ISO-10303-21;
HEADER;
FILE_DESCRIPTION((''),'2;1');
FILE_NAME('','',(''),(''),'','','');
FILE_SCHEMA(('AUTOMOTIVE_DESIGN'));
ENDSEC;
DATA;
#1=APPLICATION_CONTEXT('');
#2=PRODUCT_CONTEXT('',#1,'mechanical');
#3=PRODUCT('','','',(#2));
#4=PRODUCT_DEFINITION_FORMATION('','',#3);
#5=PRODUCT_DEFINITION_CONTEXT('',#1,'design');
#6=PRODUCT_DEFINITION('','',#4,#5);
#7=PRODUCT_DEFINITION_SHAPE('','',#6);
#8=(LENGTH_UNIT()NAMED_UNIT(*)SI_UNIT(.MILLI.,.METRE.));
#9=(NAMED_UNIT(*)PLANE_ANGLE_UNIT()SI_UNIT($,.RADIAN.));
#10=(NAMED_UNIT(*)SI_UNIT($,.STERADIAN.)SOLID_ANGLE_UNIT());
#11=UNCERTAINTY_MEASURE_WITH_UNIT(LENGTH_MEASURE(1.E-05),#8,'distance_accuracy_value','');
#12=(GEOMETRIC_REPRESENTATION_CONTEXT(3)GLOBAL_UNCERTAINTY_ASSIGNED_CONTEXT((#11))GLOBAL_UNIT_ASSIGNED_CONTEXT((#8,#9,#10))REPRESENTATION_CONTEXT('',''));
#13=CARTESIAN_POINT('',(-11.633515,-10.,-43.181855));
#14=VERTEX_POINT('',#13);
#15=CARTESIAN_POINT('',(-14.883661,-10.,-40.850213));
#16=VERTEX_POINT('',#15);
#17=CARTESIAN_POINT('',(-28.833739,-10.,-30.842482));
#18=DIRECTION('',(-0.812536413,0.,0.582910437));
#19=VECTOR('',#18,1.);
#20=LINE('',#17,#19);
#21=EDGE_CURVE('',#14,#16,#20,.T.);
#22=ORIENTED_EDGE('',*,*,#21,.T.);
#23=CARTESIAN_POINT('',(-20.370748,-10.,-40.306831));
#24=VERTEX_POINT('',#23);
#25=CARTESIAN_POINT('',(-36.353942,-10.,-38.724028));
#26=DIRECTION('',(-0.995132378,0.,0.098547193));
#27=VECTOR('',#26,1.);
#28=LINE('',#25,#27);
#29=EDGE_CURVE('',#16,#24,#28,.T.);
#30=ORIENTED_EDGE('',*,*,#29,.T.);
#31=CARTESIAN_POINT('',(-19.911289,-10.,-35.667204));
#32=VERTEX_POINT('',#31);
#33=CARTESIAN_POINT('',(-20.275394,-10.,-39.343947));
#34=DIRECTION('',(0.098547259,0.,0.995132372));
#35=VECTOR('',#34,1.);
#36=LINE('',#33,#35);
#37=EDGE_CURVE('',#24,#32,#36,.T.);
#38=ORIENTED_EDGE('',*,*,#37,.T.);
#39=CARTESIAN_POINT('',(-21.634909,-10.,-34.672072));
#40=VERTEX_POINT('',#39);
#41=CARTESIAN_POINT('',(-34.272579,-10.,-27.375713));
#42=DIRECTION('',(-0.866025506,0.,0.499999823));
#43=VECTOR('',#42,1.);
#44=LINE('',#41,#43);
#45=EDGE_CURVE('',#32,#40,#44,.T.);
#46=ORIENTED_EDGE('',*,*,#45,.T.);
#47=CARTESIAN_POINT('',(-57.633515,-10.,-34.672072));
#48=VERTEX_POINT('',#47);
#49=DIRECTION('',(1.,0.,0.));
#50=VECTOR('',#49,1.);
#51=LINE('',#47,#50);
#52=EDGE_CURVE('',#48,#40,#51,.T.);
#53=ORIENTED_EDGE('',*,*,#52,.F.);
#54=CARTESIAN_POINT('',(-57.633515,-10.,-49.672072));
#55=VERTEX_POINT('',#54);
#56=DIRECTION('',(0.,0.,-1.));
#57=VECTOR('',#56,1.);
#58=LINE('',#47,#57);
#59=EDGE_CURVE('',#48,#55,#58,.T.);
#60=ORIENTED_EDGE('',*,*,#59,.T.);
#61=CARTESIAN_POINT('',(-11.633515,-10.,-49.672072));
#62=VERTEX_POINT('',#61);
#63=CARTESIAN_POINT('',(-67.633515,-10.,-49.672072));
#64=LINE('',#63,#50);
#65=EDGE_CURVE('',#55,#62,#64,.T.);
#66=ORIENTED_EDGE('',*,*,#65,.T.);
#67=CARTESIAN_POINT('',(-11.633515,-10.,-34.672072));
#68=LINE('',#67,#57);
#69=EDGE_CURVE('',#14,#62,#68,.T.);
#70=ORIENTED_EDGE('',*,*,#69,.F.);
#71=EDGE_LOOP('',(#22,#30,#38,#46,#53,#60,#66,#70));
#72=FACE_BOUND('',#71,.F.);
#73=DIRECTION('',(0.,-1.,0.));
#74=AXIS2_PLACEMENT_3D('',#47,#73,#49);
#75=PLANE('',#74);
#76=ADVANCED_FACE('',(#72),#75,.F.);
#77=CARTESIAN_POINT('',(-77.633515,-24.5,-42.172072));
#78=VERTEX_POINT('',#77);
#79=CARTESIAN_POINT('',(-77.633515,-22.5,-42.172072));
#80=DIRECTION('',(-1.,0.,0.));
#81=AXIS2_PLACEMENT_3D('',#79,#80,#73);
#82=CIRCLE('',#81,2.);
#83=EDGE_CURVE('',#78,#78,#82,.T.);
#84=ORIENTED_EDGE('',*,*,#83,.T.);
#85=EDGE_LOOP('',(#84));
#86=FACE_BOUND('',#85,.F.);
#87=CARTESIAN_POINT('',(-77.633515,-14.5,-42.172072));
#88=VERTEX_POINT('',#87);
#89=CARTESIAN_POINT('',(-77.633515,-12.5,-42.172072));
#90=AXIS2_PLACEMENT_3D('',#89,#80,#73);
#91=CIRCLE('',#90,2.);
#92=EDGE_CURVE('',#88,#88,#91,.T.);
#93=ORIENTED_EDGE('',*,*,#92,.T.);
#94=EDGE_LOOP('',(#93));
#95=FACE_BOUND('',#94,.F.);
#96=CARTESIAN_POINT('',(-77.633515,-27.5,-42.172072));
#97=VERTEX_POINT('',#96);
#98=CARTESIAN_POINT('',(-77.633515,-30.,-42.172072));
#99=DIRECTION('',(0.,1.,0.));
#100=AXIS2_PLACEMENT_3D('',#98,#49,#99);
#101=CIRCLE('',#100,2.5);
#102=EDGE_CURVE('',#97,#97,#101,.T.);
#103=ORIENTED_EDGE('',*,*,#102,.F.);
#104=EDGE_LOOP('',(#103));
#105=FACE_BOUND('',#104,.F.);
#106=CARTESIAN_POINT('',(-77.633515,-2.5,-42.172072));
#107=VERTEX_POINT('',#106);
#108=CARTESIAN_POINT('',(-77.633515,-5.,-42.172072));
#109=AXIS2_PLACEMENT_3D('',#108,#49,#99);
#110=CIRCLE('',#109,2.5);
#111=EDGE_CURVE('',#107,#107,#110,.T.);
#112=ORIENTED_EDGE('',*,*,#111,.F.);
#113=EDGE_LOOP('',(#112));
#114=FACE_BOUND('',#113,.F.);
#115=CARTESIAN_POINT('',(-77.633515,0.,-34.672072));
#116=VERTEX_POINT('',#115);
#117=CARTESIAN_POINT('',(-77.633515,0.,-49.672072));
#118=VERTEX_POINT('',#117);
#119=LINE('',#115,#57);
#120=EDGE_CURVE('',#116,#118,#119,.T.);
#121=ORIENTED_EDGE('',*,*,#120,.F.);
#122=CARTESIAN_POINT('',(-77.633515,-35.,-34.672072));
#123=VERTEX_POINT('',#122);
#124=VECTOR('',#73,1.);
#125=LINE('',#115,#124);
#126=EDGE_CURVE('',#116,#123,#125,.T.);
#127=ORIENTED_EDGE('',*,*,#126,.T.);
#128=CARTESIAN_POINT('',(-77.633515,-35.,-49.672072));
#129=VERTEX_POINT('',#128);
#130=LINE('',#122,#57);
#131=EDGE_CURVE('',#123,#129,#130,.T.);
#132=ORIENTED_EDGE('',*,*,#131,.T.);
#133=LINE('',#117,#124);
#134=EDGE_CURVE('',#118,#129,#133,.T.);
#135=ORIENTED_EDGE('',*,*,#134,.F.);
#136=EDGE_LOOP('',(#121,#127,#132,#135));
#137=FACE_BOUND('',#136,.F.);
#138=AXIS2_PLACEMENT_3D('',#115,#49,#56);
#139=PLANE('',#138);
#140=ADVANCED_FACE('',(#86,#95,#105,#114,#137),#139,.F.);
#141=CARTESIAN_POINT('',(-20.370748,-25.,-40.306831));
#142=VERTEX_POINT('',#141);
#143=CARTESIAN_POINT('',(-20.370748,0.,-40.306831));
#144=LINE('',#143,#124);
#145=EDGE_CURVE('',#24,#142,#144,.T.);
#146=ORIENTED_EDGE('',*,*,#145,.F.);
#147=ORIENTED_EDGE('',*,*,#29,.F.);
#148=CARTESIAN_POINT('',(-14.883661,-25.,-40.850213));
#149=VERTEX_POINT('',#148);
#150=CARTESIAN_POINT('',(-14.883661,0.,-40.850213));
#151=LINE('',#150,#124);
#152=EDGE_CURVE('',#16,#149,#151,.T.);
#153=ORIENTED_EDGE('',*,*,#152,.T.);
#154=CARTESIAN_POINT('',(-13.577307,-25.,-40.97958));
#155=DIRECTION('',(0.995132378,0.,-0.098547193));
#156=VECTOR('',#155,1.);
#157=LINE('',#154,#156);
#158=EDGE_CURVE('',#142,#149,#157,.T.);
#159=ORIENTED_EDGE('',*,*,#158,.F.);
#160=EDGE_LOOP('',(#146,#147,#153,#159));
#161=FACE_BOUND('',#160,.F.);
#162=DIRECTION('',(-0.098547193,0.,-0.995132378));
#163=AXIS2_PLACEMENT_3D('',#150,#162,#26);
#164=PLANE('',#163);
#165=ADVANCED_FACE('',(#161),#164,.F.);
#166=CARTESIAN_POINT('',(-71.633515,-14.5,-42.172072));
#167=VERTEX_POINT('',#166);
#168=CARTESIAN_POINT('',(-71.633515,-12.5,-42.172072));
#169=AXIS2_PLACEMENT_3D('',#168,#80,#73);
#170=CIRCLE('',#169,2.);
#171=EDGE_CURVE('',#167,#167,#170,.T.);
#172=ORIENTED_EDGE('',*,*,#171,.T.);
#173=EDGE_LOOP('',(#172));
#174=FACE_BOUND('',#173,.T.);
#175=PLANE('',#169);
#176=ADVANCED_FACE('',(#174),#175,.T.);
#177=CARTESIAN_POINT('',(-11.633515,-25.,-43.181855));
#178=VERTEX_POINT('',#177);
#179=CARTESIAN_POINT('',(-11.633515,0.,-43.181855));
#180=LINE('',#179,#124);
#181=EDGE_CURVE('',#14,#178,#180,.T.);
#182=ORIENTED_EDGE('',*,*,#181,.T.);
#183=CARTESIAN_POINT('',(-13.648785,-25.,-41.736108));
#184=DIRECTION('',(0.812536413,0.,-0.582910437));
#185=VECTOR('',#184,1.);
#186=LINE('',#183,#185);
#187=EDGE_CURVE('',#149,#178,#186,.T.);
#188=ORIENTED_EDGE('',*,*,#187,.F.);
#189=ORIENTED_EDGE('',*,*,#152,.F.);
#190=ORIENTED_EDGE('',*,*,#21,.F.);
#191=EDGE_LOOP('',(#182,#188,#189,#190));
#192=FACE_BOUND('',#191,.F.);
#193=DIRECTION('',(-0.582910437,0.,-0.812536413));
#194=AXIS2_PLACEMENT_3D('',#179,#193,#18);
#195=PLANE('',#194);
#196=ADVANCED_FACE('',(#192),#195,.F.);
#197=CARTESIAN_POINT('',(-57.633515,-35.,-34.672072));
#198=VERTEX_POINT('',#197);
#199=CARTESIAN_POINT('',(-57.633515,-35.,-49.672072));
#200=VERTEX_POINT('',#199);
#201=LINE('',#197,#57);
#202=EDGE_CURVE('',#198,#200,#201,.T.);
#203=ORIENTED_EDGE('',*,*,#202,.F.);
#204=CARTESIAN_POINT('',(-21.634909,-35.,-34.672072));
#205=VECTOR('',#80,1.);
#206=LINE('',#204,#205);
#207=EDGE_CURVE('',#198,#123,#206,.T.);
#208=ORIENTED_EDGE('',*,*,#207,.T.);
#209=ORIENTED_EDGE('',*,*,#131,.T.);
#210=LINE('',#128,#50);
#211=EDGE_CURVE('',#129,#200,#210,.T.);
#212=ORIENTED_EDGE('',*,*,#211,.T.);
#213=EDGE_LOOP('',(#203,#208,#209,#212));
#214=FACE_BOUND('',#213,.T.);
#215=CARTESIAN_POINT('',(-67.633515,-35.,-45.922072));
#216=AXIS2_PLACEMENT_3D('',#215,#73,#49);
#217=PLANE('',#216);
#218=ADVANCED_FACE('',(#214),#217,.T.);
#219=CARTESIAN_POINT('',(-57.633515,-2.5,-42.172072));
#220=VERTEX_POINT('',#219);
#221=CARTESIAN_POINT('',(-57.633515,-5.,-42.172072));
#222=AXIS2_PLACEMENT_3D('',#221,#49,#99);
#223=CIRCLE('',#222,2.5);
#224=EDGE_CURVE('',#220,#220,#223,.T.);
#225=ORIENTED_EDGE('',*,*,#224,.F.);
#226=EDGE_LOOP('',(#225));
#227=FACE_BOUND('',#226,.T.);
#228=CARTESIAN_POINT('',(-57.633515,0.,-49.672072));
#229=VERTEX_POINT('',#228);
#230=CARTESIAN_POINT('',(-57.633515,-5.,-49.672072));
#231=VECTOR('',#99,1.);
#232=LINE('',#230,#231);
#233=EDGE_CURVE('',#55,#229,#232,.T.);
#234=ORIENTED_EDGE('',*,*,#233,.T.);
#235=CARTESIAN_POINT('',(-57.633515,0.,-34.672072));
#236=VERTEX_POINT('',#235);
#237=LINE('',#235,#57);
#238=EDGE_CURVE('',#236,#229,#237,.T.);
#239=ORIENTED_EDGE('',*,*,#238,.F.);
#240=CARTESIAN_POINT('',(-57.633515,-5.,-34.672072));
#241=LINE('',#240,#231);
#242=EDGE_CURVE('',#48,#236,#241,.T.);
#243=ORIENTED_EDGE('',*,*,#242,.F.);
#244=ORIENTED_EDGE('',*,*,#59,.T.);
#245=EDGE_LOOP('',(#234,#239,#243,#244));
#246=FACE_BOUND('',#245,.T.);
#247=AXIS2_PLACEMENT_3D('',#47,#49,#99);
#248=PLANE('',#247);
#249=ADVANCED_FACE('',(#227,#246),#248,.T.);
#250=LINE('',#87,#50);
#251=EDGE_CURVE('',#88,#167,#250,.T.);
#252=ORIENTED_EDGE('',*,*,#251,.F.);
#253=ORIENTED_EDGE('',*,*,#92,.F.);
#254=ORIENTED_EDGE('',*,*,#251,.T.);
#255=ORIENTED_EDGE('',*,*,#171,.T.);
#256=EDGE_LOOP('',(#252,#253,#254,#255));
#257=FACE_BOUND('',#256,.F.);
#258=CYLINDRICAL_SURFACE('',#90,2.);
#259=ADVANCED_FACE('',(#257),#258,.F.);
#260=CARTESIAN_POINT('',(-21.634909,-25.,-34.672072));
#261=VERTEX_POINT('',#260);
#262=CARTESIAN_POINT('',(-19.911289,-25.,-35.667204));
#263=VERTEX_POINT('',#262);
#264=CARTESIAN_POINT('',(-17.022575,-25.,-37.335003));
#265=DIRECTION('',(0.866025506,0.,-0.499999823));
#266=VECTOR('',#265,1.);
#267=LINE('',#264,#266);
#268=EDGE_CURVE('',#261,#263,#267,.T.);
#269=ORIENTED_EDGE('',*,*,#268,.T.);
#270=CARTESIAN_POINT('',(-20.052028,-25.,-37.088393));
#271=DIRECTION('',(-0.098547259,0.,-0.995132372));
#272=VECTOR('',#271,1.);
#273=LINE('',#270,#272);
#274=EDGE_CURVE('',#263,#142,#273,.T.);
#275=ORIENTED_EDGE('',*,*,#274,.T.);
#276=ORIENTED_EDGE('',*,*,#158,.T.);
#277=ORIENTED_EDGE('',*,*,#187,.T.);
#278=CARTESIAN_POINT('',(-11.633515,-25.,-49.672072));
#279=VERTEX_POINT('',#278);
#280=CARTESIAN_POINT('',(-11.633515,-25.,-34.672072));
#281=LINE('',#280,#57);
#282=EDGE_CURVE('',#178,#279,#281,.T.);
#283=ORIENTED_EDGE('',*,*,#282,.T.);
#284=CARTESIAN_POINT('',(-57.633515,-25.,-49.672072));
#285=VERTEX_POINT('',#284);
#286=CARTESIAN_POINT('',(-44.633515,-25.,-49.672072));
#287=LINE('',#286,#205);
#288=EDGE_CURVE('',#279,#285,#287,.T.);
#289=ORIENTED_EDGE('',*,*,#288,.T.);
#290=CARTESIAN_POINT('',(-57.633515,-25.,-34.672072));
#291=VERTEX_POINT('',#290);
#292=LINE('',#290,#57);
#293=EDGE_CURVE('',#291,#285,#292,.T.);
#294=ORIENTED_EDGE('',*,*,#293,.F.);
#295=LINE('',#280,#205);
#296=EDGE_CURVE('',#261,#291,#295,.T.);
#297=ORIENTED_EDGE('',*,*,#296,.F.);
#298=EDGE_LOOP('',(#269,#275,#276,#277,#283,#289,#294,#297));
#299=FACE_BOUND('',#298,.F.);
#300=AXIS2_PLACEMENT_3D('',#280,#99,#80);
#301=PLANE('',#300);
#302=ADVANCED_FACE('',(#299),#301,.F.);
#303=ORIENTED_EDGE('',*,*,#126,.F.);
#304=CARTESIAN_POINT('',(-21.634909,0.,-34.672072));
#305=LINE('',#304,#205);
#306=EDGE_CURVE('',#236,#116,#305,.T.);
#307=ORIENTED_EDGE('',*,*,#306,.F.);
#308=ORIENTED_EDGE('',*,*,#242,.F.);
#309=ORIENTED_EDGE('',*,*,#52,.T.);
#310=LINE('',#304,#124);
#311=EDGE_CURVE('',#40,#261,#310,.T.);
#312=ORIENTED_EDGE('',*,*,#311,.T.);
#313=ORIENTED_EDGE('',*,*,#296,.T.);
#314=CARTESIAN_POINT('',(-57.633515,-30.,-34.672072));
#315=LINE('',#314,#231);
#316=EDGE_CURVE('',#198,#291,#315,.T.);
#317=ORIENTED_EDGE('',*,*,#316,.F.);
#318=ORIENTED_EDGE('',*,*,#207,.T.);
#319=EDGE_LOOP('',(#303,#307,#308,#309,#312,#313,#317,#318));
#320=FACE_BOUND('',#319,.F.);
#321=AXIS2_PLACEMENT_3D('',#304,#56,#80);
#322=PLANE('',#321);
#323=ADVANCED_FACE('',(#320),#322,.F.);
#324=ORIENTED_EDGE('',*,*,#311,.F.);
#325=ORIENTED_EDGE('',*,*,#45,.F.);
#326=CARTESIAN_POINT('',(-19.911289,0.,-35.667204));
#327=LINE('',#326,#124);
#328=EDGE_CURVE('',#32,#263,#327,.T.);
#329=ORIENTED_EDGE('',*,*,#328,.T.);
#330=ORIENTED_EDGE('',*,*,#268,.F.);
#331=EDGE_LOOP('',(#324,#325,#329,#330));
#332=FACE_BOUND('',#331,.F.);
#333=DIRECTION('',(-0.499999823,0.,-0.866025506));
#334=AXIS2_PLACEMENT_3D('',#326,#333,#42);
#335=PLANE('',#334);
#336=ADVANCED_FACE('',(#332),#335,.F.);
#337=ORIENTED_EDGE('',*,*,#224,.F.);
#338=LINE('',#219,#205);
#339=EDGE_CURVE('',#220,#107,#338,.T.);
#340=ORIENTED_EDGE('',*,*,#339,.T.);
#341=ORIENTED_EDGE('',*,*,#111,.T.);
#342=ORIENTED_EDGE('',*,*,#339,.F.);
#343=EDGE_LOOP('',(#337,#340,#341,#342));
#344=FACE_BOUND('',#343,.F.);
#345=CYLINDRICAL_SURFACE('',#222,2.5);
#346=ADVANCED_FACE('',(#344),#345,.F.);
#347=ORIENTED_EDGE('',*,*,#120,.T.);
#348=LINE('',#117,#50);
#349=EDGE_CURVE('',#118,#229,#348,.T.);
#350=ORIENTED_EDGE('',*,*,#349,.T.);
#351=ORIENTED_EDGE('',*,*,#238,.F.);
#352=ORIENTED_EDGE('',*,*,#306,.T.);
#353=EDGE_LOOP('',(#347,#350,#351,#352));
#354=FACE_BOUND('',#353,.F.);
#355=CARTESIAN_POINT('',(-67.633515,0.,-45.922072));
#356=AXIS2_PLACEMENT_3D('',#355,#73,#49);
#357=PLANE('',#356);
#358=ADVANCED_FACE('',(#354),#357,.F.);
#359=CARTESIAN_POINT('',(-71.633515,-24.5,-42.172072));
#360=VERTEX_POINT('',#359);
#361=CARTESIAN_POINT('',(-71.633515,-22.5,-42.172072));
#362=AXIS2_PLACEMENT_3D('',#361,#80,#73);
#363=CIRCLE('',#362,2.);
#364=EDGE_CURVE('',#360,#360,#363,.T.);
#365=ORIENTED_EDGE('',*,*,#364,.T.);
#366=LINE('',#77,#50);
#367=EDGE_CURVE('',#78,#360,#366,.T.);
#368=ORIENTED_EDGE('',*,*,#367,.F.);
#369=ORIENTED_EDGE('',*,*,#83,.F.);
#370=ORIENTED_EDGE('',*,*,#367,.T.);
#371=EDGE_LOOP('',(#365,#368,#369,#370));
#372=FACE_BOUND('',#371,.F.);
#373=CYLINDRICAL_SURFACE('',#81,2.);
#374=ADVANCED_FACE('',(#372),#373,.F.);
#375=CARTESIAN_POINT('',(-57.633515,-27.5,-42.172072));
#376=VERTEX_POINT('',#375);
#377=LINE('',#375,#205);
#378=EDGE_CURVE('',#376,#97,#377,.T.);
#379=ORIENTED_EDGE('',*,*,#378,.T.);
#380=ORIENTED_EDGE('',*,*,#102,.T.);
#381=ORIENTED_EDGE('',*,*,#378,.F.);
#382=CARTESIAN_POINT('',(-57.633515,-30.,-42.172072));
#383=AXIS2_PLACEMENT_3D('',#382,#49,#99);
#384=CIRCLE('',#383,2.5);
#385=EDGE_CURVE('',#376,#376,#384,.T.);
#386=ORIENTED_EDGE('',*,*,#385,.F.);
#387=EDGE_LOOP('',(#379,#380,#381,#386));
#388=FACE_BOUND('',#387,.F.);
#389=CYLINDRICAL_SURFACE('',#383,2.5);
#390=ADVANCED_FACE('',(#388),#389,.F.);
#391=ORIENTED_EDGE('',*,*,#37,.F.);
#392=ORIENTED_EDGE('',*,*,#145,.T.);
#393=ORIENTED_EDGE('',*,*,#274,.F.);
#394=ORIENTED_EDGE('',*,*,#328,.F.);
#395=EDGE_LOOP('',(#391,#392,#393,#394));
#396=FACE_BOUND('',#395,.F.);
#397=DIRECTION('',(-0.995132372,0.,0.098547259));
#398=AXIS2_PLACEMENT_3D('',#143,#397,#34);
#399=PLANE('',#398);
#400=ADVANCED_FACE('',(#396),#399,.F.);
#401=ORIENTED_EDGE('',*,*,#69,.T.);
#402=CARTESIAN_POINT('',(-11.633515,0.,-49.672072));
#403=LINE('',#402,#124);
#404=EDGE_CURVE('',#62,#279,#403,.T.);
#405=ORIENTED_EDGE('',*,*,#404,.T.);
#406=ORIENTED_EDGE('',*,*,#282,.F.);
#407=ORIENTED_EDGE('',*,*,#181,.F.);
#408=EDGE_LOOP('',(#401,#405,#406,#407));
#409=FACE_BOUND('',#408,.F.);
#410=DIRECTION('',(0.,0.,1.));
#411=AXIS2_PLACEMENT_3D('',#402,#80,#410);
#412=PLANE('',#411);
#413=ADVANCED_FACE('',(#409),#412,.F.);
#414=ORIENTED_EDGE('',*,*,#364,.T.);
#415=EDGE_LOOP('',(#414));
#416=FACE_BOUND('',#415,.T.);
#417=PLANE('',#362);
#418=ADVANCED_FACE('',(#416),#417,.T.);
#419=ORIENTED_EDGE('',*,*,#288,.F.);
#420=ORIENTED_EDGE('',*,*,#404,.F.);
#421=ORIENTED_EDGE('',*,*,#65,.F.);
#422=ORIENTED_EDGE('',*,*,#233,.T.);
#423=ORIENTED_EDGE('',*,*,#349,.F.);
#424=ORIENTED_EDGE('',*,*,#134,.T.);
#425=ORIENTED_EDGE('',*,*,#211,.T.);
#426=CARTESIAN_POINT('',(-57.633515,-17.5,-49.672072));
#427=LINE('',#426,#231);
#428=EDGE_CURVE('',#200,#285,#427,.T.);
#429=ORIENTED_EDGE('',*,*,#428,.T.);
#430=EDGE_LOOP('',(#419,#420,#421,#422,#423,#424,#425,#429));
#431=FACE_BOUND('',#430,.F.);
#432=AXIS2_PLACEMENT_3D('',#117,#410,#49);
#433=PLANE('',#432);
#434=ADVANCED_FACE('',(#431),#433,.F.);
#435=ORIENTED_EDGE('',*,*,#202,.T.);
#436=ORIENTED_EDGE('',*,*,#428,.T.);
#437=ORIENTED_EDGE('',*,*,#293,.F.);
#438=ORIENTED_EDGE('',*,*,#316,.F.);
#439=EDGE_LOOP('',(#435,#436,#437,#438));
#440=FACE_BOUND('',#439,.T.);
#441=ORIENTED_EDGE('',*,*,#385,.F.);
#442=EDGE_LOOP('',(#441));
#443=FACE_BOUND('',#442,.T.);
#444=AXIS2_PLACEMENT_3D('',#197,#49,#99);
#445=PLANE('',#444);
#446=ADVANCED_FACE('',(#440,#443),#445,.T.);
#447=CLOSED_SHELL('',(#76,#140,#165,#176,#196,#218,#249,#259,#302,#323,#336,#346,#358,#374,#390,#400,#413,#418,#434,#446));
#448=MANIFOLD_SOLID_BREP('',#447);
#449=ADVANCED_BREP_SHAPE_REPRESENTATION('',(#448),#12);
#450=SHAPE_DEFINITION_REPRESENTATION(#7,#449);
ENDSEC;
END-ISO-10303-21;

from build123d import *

# Parameters (mm, degrees)
F0_W     = 20
F0_H     = 7.5
F1_DEPTH = 35
F2_W     = 35.998606
F2_H     = 10
F2_W_2   = 10.001394
F3_DEPTH = 15.001
F4_R     = 2.5
F5_DEPTH = 20.001
F6_R     = 2
F7_DEPTH = 6


with BuildPart() as f1:
    # F0 (on Front) → F1 (new body)
    with BuildSketch(Plane.XZ):
        with Locations((-67.633515, -45.922072)):
            Rectangle(F0_W, F0_H)
        with Locations((-67.633515, -38.422072)):
            Rectangle(F0_W, F0_H)
        Polygon((-11.633515, -49.672072), (-11.633515, -43.181855), (-14.883661, -40.850213), (-20.370748, -40.306831), (-19.911289, -35.667204), (-21.634909, -34.672072), (-57.633515, -34.672072), (-57.633515, -42.172072), (-57.633515, -49.672072), align=None)
    extrude(amount=F1_DEPTH)

    # F2 (on face) → F3 (cut, through all)
    with BuildSketch(Plane.XY.offset(-34.672072)):
        with Locations((-39.634212, -5)):
            Rectangle(F2_W, F2_H)
        with Locations((-16.634212, -30)):
            Rectangle(F2_W_2, F2_H)
        with Locations((-16.634212, -5)):
            Rectangle(F2_W_2, F2_H)
        with Locations((-39.634212, -30)):
            Rectangle(F2_W, F2_H)
    extrude(amount=-F3_DEPTH, mode=Mode.SUBTRACT)

    # F4 (on face) → F5 (cut, through all)
    with BuildSketch(Plane.YZ.offset(-57.633515)):
        with Locations((-30, -42.172072)):
            Circle(F4_R)
        with Locations((-5, -42.172072)):
            Circle(F4_R)
    extrude(amount=-F5_DEPTH, mode=Mode.SUBTRACT)

    # F6 (on face) → F7 (cut)
    with BuildSketch(Plane(origin=(-77.633515, 0, 0), x_dir=(0, -1, 0), z_dir=(-1, 0, 0))):
        with Locations((12.5, -42.172072)):
            Circle(F6_R)
        with Locations((22.5, -42.172072)):
            Circle(F6_R)
    extrude(amount=-F7_DEPTH, mode=Mode.SUBTRACT)


solid = f1.part
